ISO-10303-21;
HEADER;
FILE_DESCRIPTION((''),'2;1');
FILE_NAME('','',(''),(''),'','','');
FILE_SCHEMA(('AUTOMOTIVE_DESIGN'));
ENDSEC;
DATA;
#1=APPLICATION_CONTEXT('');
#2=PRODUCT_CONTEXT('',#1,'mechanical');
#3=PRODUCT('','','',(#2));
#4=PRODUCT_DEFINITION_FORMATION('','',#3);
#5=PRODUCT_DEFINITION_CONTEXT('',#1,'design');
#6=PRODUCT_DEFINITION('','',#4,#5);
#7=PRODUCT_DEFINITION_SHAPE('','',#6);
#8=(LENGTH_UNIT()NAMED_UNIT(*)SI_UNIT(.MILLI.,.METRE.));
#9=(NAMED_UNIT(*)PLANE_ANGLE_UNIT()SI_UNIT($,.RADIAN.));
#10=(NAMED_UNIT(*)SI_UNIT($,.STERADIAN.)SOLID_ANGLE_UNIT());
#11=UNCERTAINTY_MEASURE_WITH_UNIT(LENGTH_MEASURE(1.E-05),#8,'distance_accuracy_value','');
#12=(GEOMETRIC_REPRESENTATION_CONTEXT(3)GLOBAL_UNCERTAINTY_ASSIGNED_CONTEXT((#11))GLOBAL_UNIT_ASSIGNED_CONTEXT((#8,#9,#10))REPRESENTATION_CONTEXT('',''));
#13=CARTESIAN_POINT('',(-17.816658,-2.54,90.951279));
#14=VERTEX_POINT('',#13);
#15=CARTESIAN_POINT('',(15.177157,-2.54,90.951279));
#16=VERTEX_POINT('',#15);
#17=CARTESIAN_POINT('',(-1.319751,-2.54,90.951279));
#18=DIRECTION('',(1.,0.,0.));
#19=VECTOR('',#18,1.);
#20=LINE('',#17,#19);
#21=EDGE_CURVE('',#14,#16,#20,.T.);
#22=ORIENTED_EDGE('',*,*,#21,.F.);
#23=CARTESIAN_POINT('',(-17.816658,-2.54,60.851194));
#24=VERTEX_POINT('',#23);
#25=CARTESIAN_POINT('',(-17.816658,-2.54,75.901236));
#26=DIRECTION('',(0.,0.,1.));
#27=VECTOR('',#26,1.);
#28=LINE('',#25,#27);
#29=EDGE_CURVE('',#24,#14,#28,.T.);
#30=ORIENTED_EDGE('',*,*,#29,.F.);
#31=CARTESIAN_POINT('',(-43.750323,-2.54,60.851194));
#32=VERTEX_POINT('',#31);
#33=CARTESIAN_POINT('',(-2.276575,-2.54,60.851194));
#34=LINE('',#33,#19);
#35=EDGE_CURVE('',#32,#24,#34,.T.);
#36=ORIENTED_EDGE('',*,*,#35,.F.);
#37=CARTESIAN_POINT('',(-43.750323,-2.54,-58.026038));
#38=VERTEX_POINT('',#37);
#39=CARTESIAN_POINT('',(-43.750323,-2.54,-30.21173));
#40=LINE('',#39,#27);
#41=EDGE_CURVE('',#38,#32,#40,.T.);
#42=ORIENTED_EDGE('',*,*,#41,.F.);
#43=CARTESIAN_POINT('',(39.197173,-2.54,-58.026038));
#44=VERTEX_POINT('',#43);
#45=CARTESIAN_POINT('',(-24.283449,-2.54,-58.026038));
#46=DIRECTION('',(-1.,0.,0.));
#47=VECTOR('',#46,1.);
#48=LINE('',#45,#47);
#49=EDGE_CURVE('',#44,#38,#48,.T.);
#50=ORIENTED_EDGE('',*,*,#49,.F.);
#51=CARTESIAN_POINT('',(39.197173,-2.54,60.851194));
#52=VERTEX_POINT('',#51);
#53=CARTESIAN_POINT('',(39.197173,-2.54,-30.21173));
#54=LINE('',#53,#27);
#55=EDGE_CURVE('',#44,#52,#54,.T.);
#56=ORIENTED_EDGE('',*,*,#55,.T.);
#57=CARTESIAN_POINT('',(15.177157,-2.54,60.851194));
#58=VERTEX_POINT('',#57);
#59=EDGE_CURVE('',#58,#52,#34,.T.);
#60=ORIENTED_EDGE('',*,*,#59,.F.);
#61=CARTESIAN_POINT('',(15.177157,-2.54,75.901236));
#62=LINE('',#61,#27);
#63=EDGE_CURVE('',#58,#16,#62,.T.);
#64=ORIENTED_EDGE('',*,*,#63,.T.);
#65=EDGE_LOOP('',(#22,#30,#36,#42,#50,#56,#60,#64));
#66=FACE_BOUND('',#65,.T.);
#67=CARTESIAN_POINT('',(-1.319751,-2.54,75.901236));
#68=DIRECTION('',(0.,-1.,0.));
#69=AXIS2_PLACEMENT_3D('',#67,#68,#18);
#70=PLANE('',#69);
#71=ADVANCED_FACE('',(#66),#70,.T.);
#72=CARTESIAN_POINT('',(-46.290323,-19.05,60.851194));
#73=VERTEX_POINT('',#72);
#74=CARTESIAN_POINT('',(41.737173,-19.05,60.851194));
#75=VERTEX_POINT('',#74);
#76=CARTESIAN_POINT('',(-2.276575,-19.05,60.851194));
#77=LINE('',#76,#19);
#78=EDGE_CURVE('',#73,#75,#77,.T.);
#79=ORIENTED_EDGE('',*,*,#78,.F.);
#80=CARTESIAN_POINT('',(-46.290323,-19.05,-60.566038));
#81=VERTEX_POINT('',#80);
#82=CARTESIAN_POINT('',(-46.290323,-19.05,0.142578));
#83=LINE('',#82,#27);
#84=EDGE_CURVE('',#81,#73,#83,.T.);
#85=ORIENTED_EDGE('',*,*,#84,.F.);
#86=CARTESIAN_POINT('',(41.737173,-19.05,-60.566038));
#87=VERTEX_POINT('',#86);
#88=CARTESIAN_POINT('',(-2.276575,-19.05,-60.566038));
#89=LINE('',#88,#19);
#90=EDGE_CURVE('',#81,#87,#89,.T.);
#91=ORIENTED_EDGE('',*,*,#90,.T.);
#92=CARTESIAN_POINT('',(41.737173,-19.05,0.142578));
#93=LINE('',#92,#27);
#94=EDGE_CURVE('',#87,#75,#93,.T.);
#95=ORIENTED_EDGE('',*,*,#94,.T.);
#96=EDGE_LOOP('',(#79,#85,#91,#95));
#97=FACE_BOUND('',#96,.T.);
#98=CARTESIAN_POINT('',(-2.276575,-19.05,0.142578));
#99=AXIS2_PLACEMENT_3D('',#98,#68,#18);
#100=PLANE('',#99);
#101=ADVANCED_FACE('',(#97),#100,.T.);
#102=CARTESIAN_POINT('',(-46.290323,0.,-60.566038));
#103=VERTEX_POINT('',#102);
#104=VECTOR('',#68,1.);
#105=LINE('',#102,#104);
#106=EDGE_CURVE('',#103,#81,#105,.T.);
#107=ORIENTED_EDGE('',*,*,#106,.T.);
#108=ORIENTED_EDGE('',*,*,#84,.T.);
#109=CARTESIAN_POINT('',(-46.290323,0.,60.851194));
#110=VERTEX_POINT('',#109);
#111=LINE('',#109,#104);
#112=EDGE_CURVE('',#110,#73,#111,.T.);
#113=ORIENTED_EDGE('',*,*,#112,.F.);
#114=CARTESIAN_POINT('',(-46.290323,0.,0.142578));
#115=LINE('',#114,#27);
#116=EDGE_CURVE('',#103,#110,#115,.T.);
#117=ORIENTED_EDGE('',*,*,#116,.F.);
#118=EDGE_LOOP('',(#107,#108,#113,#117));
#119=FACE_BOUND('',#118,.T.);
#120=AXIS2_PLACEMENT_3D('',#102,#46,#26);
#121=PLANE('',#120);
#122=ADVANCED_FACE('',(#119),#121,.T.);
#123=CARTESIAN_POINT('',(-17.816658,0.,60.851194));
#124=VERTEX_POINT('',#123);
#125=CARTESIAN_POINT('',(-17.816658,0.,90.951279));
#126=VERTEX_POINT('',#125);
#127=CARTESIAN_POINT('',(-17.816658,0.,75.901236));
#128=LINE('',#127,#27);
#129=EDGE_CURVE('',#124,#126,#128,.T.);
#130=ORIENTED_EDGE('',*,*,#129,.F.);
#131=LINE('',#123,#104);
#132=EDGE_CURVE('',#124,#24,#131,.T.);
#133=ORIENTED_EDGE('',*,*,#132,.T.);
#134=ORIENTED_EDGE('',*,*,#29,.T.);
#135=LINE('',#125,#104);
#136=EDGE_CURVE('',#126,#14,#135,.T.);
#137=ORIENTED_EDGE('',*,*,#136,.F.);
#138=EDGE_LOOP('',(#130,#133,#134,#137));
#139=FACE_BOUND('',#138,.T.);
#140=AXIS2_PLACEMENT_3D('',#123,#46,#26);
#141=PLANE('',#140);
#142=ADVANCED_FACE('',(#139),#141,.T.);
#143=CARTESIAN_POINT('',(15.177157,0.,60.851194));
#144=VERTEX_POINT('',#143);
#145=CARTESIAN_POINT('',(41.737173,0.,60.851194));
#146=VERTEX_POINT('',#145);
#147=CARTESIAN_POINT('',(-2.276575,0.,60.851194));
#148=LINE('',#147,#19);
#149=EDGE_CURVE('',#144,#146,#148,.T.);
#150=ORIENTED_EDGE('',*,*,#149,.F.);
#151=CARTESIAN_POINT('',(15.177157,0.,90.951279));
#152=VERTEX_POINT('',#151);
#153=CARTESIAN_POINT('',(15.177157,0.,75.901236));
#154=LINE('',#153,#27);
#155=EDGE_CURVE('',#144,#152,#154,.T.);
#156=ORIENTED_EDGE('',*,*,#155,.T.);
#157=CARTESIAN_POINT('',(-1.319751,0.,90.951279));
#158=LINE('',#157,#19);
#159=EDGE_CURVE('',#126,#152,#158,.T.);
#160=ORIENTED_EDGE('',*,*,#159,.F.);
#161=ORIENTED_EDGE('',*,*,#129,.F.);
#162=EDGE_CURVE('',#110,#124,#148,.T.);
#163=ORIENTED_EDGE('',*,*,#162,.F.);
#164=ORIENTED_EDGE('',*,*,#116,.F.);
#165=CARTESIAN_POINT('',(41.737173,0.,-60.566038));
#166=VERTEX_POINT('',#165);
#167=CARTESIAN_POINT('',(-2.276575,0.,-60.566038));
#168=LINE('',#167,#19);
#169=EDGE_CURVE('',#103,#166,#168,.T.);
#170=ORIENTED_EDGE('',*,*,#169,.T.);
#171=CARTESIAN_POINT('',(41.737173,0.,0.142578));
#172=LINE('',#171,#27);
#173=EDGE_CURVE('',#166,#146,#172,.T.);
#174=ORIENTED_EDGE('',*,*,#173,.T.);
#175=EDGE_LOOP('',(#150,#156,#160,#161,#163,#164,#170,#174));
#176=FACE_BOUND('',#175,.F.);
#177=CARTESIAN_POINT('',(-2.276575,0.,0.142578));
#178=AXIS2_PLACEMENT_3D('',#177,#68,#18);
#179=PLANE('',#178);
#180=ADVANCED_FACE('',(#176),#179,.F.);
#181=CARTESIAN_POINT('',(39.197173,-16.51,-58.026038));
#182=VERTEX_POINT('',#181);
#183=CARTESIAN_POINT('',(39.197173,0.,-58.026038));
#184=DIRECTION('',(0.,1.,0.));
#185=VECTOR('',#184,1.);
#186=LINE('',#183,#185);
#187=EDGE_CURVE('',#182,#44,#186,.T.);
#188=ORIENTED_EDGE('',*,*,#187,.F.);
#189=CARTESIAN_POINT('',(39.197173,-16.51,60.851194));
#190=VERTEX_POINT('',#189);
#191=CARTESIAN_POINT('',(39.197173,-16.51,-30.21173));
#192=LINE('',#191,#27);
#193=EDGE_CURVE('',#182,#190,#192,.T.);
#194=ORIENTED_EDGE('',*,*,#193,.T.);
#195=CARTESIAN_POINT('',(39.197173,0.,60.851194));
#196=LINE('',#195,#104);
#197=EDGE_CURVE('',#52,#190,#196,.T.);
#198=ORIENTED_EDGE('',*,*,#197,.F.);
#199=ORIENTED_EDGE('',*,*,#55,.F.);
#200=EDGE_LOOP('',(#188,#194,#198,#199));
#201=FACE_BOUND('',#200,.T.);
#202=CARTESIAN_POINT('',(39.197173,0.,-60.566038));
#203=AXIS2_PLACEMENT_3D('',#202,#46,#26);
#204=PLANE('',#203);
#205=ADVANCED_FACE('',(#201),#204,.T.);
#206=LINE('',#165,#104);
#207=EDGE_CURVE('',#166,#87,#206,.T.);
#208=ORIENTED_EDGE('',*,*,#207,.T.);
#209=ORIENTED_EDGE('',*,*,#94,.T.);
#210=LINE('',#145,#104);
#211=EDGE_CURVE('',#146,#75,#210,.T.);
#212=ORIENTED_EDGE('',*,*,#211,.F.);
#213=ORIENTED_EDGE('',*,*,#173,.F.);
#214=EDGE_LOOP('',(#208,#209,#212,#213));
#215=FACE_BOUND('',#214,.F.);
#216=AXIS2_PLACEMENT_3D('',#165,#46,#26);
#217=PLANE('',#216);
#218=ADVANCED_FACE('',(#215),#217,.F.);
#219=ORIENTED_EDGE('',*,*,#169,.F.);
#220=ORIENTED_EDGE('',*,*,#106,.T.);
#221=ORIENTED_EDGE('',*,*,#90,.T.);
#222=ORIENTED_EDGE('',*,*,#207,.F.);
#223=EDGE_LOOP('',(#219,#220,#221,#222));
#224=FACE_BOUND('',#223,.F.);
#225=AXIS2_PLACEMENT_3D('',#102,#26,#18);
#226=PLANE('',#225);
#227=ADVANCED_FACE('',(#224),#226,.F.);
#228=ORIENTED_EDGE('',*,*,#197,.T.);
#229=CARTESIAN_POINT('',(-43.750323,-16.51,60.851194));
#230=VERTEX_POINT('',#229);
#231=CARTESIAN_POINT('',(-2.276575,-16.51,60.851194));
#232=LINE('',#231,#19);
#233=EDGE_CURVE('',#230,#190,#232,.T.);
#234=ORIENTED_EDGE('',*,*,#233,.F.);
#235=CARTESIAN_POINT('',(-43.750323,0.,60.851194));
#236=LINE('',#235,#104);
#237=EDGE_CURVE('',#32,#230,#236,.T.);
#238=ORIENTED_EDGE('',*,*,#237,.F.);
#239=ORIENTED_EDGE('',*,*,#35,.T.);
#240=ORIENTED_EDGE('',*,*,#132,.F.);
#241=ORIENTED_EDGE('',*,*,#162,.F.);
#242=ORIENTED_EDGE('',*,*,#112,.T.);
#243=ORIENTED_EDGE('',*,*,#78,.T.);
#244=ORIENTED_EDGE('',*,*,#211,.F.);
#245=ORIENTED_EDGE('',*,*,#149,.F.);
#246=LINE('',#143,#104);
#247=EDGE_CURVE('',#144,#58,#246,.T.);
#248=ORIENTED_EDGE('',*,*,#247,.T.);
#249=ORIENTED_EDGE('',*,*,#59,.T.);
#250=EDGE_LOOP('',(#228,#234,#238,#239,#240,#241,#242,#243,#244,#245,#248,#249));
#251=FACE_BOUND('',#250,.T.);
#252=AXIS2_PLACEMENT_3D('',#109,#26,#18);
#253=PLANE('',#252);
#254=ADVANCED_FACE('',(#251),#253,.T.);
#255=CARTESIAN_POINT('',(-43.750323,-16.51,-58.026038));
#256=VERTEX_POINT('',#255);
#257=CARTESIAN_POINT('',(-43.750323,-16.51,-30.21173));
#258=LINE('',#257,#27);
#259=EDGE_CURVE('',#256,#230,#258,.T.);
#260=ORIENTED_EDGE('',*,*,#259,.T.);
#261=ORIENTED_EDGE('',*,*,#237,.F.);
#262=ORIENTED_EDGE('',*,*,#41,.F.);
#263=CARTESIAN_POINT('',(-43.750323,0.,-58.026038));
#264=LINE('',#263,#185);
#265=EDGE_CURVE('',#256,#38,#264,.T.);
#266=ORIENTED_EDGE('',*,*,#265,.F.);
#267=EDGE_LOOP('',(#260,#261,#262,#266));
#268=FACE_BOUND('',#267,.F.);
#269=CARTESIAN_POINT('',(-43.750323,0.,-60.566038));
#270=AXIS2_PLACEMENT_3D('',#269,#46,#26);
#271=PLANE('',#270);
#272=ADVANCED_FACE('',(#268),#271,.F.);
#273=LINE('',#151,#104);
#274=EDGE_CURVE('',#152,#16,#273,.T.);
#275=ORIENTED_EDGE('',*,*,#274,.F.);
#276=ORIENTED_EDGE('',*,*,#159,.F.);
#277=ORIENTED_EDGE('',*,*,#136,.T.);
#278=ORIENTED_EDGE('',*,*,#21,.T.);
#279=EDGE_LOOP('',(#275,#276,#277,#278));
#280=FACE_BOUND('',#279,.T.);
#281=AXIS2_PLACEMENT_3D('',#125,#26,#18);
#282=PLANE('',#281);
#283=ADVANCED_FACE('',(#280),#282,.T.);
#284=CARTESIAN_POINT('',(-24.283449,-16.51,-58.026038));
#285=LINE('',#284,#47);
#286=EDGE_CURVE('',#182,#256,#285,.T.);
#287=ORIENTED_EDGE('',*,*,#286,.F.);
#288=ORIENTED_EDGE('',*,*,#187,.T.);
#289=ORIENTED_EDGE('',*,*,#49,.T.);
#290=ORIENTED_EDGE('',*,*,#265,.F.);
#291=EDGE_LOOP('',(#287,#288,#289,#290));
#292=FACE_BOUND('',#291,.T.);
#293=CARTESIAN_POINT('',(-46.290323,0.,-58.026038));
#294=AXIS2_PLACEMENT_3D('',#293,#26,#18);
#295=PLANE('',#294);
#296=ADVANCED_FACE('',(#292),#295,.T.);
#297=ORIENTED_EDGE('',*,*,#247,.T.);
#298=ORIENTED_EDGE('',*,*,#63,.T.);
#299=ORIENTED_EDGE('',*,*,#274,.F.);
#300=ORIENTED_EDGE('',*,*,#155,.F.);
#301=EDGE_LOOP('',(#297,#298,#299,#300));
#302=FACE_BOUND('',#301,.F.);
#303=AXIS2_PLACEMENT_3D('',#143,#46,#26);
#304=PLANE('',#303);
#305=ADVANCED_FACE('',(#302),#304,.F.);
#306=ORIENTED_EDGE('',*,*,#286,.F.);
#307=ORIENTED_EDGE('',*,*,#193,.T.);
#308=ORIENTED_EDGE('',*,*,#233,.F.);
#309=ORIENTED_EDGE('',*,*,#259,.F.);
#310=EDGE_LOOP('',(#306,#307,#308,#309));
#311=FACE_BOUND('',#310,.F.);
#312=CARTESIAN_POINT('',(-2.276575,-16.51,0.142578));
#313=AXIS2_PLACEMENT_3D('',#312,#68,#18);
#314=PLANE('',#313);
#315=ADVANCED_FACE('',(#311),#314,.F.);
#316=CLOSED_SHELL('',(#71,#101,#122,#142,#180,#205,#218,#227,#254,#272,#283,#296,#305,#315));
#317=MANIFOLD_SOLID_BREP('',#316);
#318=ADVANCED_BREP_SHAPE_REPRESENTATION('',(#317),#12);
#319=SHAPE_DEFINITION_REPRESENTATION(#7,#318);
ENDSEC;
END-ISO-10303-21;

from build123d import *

# Parameters (mm, degrees)
F0_W     = 88.027496
F0_H     = 121.417232
F1_DEPTH = 19.05
F2_T     = -2.54
F3_W     = 32.993815
F3_H     = 30.100085
F4_DEPTH = 2.54


with BuildPart() as f1:
    # F0 (on Front) → F1 (new body)
    with BuildSketch(Plane.XZ):
        with Locations((-2.276575, 0.142578)):
            Rectangle(F0_W, F0_H)
    extrude(amount=F1_DEPTH)

    # F2
    f2_openings = [f1.faces().sort_by_distance(p)[0] for p in [
        (-2.276575, -9.525, 60.851194),
    ]]
    offset(amount=F2_T, openings=f2_openings)

    # F3 (on face) → F4 (join)
    with BuildSketch(Plane.XZ):
        with Locations((-1.319751, 75.901236)):
            Rectangle(F3_W, F3_H)
    extrude(amount=F4_DEPTH)


solid = f1.part
